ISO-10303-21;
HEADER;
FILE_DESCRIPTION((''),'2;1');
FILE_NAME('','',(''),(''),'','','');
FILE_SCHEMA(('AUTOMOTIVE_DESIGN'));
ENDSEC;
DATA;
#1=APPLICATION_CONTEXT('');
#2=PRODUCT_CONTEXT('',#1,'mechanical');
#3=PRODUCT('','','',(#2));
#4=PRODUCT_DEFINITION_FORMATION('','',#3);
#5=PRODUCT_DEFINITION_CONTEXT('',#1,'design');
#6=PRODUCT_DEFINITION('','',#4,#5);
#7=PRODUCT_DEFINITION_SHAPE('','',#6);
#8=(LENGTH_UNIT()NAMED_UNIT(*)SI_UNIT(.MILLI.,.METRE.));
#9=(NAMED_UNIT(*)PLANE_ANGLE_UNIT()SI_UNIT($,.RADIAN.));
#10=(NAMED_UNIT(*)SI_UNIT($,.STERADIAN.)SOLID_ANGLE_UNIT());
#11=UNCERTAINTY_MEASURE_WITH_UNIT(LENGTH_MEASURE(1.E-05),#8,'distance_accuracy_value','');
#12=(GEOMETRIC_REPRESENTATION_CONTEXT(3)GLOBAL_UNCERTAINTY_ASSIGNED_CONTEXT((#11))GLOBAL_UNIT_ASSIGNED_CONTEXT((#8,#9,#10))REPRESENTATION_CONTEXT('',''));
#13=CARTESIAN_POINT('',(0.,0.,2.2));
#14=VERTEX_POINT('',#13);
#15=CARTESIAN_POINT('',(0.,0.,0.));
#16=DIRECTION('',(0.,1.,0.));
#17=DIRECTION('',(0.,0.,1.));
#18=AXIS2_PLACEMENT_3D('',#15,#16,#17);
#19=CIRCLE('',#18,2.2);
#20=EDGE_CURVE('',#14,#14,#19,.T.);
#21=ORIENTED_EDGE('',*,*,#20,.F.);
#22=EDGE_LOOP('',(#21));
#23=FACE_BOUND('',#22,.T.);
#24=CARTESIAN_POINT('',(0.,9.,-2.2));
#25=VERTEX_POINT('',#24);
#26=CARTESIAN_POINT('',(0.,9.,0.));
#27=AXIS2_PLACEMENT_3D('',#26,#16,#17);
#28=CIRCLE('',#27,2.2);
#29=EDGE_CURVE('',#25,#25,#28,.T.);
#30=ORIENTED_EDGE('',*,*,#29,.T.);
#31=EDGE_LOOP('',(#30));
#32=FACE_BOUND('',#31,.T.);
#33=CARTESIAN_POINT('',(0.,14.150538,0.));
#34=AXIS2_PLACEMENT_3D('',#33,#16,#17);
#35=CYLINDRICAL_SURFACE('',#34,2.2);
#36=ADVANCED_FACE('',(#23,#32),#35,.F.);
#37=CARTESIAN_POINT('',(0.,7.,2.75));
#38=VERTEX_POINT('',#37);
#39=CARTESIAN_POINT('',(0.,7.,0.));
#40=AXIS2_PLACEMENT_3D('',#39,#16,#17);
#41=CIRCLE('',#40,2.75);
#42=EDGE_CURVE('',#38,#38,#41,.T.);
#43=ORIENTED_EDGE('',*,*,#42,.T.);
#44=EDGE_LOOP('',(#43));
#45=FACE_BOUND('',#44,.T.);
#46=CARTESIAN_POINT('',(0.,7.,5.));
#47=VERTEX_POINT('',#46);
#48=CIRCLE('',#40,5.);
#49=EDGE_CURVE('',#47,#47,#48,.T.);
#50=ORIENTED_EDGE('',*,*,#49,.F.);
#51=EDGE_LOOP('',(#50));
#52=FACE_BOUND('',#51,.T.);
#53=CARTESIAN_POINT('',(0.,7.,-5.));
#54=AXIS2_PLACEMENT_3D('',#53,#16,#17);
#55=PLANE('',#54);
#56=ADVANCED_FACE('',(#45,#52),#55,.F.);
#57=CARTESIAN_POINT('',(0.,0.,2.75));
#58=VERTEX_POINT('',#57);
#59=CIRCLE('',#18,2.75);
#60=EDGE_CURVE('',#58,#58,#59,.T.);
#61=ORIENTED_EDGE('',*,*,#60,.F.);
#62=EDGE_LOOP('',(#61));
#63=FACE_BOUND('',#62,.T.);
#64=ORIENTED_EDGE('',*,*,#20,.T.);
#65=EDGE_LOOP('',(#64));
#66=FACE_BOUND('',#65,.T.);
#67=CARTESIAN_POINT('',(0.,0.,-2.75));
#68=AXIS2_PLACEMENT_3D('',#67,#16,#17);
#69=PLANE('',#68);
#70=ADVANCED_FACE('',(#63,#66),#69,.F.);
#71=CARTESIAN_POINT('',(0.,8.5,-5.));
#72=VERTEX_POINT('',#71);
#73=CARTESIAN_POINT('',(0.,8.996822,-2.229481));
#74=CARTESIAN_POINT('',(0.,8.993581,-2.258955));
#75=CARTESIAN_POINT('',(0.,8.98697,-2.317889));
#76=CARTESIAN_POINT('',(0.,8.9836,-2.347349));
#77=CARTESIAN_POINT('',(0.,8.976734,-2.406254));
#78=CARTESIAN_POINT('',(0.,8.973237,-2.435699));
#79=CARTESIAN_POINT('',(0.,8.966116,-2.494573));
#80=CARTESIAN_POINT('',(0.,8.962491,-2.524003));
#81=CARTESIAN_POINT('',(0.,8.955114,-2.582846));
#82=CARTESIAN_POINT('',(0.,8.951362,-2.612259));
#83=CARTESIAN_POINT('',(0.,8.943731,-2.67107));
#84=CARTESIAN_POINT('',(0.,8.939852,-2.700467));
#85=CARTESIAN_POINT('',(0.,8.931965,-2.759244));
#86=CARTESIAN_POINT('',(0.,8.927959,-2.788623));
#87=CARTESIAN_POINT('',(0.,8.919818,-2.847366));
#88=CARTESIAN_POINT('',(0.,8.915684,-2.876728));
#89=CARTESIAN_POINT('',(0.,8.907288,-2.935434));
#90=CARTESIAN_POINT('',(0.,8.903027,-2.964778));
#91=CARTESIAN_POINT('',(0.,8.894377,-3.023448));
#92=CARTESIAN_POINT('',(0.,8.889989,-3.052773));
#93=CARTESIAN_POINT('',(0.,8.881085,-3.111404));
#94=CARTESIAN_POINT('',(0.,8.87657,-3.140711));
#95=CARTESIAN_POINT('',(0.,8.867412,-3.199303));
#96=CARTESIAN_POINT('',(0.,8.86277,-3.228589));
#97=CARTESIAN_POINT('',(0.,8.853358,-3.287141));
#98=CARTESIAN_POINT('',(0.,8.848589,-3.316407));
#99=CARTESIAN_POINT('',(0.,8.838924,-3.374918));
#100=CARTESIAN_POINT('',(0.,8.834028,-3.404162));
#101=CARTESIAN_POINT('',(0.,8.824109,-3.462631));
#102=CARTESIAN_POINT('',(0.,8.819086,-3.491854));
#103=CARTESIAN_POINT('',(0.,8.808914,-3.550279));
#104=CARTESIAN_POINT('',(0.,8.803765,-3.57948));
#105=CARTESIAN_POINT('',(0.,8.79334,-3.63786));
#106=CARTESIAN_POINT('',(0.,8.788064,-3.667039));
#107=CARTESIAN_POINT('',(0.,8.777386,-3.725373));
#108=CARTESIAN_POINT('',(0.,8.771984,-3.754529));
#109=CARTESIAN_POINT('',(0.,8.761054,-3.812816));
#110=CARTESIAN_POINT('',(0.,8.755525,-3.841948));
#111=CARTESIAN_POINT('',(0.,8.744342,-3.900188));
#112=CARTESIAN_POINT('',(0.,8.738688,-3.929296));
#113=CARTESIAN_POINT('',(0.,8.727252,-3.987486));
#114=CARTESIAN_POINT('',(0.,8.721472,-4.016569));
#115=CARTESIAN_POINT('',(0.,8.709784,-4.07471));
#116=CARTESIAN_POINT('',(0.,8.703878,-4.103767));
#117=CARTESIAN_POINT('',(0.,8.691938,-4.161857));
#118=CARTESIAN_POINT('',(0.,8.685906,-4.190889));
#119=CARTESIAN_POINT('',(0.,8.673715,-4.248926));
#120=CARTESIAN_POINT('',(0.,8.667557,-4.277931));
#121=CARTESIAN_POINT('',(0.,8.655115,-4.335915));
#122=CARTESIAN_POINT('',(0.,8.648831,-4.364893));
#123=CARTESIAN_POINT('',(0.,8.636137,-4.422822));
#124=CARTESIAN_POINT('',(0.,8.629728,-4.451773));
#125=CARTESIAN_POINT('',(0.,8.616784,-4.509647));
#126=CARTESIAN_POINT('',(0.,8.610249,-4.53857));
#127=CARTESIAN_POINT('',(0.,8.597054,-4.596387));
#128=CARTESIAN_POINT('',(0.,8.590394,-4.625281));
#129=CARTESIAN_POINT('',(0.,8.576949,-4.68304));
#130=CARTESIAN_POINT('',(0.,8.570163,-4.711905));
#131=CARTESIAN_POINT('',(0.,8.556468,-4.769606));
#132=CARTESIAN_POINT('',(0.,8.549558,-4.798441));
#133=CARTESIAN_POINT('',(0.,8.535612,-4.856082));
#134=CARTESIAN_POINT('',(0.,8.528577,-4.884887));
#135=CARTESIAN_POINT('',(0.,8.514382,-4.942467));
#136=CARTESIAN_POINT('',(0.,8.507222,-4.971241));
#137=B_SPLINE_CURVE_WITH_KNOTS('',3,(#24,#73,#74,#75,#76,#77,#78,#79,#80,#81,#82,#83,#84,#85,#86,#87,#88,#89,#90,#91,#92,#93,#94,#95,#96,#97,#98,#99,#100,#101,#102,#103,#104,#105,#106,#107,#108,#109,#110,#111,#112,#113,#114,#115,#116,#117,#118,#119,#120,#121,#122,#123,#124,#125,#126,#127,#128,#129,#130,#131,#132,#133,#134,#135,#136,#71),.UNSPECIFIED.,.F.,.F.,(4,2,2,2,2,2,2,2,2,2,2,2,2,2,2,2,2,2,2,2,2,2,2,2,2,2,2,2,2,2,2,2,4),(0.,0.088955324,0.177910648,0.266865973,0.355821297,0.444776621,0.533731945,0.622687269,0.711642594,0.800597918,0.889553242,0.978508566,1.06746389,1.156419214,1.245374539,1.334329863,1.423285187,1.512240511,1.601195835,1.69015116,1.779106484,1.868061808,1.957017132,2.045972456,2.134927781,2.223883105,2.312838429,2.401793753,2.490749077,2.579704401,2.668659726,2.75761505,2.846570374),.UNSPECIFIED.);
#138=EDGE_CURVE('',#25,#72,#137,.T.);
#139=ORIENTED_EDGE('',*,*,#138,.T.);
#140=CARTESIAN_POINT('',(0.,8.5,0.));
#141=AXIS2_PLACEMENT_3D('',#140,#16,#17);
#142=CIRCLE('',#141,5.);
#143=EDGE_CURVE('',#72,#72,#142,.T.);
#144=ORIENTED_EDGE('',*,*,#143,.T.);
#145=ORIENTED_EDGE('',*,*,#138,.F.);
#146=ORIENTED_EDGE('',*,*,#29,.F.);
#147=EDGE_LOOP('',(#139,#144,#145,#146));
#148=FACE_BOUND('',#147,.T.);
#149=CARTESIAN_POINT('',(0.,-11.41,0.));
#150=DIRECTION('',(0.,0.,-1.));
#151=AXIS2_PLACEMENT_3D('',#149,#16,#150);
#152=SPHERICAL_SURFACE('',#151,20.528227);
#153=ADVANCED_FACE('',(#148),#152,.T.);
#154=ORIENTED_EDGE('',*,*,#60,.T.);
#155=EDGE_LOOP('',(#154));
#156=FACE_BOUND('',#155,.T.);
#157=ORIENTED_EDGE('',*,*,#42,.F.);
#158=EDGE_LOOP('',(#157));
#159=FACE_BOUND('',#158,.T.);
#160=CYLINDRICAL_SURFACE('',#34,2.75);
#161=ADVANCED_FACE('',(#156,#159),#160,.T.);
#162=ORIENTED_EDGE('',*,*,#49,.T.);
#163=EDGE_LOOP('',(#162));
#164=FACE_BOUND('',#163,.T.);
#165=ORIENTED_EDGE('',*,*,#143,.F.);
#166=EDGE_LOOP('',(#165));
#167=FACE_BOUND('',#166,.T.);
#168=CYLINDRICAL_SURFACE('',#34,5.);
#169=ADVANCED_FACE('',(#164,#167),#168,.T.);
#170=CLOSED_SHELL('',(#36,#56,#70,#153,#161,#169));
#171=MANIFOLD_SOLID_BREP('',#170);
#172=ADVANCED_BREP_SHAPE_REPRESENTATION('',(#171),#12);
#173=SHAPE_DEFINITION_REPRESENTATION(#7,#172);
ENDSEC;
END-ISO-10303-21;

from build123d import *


with BuildPart() as part:
    # Sketch1 → Revolve1 (revolve)
    with BuildSketch(Plane(origin=(0, 0, 0), x_dir=(0, 0, -1), z_dir=(1, 0, 0)), mode=Mode.PRIVATE) as revolve1_sk:
        with BuildLine():
            Line((2.2, 0), (2.2, 9))
            ThreePointArc((2.2, 9), (3.608670115, 8.798552645), (5, 8.5))
            Line((5, 8.5), (5, 7))
            Line((5, 7), (2.75, 7))
            Line((2.75, 7), (2.75, 0))
            Line((2.75, 0), (2.2, 0))
        make_face()
    revolve(revolve1_sk.sketch.rotate(Axis((0, 14.150537634, 0), (0, -1, 0)), 180), axis=Axis((0, 14.150537634, 0), (0, -1, 0)))


solid = part.part
